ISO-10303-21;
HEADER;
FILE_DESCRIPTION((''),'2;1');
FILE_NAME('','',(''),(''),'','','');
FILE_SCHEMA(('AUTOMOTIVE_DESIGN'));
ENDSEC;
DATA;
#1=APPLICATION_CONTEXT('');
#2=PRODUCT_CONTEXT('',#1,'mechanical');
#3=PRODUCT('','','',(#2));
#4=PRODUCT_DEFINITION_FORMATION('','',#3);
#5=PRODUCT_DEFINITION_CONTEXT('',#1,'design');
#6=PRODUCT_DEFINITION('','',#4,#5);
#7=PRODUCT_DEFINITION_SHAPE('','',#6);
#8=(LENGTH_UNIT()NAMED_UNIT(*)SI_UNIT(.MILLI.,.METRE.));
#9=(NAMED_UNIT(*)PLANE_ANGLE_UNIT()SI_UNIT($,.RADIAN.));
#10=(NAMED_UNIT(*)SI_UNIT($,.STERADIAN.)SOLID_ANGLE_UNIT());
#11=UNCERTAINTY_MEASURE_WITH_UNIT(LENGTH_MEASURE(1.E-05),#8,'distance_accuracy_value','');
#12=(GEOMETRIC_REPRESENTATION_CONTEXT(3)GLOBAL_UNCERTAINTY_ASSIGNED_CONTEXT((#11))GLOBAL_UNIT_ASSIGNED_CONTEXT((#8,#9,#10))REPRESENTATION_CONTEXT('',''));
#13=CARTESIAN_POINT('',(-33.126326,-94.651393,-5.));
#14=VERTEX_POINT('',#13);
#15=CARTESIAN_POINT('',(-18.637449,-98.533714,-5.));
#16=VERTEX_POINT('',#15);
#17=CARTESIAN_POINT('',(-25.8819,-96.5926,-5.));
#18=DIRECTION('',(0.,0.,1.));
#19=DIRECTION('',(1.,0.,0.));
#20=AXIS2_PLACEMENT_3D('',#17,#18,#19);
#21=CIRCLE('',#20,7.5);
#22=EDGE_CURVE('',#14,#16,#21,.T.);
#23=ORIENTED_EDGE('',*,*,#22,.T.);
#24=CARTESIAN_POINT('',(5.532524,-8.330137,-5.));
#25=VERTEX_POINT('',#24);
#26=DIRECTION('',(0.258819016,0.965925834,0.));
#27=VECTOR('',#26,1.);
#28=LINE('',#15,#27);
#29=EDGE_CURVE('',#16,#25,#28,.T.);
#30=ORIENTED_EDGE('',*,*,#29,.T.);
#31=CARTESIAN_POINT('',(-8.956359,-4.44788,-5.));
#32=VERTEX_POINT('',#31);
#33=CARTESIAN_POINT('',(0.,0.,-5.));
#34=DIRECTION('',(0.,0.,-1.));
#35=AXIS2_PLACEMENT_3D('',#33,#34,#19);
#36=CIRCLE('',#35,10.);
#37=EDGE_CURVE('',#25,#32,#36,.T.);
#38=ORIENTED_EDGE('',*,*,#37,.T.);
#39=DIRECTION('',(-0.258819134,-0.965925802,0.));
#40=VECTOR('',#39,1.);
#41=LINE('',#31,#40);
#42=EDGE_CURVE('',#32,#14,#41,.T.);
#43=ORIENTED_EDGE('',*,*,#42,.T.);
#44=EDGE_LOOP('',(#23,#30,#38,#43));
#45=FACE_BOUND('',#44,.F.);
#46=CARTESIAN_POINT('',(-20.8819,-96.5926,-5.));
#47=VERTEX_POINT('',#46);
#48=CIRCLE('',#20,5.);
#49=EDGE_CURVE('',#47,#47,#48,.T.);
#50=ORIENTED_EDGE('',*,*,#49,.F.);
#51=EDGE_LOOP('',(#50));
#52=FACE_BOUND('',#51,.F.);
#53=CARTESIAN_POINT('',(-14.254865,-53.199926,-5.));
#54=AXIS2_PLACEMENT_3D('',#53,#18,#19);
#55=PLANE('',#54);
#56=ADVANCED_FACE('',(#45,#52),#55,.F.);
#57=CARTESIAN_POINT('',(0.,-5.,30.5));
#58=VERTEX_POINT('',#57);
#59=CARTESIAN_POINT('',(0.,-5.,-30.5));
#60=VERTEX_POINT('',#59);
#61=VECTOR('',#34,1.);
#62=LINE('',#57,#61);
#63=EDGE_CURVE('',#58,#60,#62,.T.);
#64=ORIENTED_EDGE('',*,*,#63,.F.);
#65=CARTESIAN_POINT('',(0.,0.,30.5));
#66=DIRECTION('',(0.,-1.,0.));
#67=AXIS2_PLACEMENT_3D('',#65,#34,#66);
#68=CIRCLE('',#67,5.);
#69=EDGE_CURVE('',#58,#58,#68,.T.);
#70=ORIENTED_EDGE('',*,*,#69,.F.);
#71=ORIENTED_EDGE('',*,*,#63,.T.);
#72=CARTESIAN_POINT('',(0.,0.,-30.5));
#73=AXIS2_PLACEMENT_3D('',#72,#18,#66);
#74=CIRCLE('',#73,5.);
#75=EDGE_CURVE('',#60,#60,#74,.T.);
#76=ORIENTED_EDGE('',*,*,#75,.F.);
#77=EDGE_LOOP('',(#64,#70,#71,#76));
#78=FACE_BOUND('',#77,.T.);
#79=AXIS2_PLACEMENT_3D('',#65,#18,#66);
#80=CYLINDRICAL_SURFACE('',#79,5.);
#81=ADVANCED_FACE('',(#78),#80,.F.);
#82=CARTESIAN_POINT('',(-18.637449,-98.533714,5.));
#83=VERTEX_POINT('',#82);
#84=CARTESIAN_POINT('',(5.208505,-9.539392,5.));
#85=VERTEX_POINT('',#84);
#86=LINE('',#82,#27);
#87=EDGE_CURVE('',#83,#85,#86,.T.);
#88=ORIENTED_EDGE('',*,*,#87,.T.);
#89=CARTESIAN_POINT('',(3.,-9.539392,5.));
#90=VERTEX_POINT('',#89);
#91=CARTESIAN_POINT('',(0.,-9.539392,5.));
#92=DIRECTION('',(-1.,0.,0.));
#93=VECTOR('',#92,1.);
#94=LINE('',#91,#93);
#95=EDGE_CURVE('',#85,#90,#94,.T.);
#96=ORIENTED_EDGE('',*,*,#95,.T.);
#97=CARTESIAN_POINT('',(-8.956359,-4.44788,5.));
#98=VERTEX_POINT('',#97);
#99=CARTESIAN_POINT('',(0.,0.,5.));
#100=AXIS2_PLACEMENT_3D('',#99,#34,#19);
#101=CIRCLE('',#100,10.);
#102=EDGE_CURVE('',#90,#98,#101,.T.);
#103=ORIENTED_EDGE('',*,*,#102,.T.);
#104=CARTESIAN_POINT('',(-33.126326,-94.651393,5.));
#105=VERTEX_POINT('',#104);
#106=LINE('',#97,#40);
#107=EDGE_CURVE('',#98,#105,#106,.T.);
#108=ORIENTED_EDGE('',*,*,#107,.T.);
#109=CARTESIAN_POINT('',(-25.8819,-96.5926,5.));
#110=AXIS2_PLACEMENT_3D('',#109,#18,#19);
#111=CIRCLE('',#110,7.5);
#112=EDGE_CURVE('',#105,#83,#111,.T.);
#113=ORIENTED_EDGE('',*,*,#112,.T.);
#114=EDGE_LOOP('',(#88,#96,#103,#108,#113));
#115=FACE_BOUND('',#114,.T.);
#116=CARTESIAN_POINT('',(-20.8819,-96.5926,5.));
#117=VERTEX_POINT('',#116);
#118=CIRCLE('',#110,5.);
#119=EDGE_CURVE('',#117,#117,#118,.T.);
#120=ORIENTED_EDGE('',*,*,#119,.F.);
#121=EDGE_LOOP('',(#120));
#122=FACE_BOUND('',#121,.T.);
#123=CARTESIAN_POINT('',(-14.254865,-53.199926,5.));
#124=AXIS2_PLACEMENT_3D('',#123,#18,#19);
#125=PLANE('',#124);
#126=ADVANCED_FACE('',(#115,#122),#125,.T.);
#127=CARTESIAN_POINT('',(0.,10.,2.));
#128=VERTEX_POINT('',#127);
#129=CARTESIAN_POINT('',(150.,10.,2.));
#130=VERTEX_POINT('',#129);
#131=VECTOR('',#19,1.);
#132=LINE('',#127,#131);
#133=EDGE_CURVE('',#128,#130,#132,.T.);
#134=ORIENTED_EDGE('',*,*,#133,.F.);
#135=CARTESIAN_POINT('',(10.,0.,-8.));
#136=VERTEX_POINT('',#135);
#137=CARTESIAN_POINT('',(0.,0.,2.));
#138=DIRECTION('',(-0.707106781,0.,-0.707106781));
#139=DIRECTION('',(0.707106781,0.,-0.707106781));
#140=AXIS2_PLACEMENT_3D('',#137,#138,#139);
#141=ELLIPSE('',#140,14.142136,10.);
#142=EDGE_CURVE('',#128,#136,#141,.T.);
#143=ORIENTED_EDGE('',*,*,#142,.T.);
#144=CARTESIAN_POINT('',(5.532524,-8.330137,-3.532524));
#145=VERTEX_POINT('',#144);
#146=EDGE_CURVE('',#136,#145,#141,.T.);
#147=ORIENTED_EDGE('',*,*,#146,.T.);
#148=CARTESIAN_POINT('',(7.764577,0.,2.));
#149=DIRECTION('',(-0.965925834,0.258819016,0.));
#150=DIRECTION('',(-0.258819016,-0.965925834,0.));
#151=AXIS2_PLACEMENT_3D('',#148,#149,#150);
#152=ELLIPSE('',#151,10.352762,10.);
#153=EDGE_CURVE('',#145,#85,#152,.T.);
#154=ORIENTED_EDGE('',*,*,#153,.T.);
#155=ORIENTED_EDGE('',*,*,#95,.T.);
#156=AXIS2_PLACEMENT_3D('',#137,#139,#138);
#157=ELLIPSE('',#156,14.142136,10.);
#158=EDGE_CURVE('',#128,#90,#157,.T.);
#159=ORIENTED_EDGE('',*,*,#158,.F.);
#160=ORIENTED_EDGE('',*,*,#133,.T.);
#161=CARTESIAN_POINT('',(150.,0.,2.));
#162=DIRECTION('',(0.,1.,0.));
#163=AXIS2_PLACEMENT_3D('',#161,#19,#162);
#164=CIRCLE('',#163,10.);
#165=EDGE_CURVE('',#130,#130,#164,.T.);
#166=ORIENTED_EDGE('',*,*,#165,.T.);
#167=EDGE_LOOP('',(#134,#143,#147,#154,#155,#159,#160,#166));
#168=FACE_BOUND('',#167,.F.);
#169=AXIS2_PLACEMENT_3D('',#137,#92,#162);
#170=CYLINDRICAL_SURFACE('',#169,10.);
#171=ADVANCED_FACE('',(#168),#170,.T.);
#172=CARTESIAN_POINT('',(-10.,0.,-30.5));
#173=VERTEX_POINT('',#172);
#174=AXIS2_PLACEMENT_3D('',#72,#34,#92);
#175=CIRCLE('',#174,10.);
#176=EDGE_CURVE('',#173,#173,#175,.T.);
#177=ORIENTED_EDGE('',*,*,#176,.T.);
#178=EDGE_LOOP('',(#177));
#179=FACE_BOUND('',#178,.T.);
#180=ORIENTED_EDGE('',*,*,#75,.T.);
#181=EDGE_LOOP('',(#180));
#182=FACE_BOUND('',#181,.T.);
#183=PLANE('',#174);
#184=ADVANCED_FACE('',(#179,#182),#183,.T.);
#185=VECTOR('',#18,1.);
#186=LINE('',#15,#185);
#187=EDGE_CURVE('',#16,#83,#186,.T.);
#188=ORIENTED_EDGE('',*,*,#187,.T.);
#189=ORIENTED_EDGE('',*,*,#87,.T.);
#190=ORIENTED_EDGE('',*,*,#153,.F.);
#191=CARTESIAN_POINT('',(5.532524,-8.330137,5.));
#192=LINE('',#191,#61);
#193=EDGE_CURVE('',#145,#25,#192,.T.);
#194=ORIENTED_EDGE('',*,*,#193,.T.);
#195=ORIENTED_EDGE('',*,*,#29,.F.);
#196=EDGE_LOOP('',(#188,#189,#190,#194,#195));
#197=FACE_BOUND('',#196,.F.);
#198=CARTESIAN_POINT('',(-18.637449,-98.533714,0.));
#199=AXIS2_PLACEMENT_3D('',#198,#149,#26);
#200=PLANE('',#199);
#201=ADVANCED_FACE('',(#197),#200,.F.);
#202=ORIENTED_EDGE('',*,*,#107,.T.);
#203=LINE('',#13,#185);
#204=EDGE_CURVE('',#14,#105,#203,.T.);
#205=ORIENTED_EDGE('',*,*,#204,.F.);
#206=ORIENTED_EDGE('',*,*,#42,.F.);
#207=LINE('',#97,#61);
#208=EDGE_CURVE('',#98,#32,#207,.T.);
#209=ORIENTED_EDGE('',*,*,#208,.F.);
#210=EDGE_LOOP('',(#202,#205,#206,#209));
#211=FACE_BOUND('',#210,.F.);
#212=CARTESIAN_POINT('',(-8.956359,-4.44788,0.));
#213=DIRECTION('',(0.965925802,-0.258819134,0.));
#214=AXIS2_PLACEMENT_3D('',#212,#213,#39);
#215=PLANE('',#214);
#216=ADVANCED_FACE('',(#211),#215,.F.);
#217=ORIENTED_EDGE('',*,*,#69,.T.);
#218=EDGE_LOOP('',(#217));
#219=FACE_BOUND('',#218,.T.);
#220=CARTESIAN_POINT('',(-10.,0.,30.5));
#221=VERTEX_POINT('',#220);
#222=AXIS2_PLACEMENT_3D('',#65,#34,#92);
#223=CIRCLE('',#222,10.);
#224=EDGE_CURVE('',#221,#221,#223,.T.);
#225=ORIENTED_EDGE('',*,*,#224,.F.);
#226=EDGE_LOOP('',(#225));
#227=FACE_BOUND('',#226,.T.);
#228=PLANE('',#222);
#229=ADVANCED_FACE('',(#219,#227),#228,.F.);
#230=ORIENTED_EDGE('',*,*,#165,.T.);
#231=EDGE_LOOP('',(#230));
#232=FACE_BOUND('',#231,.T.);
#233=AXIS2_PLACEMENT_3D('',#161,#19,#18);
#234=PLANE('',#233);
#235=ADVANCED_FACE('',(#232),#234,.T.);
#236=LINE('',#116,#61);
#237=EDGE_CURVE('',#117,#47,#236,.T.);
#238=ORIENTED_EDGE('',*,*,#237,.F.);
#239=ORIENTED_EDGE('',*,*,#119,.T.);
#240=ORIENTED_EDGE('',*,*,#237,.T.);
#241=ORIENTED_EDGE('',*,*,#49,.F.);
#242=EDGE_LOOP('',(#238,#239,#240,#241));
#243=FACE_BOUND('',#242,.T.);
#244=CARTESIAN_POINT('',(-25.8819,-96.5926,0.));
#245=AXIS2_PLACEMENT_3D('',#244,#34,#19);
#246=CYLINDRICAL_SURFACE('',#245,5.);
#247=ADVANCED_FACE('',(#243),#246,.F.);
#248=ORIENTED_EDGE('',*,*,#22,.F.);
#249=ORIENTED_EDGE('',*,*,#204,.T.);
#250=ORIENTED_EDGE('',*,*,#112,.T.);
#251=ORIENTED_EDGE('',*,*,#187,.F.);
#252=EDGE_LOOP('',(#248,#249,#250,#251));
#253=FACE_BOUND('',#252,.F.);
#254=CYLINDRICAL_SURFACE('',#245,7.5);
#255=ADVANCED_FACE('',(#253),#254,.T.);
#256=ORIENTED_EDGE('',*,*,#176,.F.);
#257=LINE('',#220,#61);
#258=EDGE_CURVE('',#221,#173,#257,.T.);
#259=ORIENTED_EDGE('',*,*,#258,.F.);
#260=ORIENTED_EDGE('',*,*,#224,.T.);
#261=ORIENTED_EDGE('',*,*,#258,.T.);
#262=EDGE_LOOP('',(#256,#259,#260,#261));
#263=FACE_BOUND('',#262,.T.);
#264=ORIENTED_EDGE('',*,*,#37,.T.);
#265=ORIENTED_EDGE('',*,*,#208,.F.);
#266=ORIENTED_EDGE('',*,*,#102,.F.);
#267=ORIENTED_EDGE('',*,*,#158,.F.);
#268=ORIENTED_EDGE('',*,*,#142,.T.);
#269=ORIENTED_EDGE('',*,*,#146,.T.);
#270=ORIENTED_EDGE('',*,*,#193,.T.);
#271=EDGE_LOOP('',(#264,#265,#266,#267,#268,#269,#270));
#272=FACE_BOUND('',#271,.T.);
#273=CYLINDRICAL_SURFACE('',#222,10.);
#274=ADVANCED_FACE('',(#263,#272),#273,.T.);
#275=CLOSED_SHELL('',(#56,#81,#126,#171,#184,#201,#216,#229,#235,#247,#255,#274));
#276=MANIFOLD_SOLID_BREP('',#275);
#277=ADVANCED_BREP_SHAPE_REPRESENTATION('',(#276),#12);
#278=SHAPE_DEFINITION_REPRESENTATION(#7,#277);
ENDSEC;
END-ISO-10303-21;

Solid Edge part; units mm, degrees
sketch "Sketch1" plane through (0, 0, 0) normal (0, -1, 0) x (1, 0, 0)
  line L0 (-10, -30.5) -> (0, -30.5)
  line L1 (0, 30.5) -> (0, -30.5)
  line L2 (0, 30.5) -> (-10, 30.5)
  line L3 (-10, 30.5) -> (-10, -30.5)
revolve "RevolvedProtrusion1" add sketch "Sketch1" angle 360 about axis through (0, 0, 54) along (0, 0, -1)
sketch "Sketch2" plane through (0, 0, 0) normal (1, 0, 0) x (0, 1, 0)
  circle A0 centre (0, 2) radius 10
  dimension "D1" = 32.5
extrude "Protrusion1" add sketch "Sketch2" along normal blind 150
sketch "Sketch3" plane through (0, 0, 0) normal (0, 0, 1) x (1, 0, 0)
  circle A0 centre (-25.8819, -96.5926) radius 5
  line L0 (-8.9564, -4.4479) -> (-33.1263, -94.6514)
  arc A1 (-33.1263, -94.6514) -> (-18.6375, -98.5337) centre (-25.8819, -96.5926) ccw
  line L1 (-18.6375, -98.5337) -> (5.5325, -8.3301)
  arc A2 (5.5325, -8.3301) -> (-8.9564, -4.4479) centre (0, 0) cw
  dimension "D1" = 15
  dimension "D2" = 100
extrude "Styrarm" add sketch "Sketch3" along normal mid plane 10
hole "Hole1" at (0, 0, 30.5) direction (0, 0, -1) diameter 10 end up to next
